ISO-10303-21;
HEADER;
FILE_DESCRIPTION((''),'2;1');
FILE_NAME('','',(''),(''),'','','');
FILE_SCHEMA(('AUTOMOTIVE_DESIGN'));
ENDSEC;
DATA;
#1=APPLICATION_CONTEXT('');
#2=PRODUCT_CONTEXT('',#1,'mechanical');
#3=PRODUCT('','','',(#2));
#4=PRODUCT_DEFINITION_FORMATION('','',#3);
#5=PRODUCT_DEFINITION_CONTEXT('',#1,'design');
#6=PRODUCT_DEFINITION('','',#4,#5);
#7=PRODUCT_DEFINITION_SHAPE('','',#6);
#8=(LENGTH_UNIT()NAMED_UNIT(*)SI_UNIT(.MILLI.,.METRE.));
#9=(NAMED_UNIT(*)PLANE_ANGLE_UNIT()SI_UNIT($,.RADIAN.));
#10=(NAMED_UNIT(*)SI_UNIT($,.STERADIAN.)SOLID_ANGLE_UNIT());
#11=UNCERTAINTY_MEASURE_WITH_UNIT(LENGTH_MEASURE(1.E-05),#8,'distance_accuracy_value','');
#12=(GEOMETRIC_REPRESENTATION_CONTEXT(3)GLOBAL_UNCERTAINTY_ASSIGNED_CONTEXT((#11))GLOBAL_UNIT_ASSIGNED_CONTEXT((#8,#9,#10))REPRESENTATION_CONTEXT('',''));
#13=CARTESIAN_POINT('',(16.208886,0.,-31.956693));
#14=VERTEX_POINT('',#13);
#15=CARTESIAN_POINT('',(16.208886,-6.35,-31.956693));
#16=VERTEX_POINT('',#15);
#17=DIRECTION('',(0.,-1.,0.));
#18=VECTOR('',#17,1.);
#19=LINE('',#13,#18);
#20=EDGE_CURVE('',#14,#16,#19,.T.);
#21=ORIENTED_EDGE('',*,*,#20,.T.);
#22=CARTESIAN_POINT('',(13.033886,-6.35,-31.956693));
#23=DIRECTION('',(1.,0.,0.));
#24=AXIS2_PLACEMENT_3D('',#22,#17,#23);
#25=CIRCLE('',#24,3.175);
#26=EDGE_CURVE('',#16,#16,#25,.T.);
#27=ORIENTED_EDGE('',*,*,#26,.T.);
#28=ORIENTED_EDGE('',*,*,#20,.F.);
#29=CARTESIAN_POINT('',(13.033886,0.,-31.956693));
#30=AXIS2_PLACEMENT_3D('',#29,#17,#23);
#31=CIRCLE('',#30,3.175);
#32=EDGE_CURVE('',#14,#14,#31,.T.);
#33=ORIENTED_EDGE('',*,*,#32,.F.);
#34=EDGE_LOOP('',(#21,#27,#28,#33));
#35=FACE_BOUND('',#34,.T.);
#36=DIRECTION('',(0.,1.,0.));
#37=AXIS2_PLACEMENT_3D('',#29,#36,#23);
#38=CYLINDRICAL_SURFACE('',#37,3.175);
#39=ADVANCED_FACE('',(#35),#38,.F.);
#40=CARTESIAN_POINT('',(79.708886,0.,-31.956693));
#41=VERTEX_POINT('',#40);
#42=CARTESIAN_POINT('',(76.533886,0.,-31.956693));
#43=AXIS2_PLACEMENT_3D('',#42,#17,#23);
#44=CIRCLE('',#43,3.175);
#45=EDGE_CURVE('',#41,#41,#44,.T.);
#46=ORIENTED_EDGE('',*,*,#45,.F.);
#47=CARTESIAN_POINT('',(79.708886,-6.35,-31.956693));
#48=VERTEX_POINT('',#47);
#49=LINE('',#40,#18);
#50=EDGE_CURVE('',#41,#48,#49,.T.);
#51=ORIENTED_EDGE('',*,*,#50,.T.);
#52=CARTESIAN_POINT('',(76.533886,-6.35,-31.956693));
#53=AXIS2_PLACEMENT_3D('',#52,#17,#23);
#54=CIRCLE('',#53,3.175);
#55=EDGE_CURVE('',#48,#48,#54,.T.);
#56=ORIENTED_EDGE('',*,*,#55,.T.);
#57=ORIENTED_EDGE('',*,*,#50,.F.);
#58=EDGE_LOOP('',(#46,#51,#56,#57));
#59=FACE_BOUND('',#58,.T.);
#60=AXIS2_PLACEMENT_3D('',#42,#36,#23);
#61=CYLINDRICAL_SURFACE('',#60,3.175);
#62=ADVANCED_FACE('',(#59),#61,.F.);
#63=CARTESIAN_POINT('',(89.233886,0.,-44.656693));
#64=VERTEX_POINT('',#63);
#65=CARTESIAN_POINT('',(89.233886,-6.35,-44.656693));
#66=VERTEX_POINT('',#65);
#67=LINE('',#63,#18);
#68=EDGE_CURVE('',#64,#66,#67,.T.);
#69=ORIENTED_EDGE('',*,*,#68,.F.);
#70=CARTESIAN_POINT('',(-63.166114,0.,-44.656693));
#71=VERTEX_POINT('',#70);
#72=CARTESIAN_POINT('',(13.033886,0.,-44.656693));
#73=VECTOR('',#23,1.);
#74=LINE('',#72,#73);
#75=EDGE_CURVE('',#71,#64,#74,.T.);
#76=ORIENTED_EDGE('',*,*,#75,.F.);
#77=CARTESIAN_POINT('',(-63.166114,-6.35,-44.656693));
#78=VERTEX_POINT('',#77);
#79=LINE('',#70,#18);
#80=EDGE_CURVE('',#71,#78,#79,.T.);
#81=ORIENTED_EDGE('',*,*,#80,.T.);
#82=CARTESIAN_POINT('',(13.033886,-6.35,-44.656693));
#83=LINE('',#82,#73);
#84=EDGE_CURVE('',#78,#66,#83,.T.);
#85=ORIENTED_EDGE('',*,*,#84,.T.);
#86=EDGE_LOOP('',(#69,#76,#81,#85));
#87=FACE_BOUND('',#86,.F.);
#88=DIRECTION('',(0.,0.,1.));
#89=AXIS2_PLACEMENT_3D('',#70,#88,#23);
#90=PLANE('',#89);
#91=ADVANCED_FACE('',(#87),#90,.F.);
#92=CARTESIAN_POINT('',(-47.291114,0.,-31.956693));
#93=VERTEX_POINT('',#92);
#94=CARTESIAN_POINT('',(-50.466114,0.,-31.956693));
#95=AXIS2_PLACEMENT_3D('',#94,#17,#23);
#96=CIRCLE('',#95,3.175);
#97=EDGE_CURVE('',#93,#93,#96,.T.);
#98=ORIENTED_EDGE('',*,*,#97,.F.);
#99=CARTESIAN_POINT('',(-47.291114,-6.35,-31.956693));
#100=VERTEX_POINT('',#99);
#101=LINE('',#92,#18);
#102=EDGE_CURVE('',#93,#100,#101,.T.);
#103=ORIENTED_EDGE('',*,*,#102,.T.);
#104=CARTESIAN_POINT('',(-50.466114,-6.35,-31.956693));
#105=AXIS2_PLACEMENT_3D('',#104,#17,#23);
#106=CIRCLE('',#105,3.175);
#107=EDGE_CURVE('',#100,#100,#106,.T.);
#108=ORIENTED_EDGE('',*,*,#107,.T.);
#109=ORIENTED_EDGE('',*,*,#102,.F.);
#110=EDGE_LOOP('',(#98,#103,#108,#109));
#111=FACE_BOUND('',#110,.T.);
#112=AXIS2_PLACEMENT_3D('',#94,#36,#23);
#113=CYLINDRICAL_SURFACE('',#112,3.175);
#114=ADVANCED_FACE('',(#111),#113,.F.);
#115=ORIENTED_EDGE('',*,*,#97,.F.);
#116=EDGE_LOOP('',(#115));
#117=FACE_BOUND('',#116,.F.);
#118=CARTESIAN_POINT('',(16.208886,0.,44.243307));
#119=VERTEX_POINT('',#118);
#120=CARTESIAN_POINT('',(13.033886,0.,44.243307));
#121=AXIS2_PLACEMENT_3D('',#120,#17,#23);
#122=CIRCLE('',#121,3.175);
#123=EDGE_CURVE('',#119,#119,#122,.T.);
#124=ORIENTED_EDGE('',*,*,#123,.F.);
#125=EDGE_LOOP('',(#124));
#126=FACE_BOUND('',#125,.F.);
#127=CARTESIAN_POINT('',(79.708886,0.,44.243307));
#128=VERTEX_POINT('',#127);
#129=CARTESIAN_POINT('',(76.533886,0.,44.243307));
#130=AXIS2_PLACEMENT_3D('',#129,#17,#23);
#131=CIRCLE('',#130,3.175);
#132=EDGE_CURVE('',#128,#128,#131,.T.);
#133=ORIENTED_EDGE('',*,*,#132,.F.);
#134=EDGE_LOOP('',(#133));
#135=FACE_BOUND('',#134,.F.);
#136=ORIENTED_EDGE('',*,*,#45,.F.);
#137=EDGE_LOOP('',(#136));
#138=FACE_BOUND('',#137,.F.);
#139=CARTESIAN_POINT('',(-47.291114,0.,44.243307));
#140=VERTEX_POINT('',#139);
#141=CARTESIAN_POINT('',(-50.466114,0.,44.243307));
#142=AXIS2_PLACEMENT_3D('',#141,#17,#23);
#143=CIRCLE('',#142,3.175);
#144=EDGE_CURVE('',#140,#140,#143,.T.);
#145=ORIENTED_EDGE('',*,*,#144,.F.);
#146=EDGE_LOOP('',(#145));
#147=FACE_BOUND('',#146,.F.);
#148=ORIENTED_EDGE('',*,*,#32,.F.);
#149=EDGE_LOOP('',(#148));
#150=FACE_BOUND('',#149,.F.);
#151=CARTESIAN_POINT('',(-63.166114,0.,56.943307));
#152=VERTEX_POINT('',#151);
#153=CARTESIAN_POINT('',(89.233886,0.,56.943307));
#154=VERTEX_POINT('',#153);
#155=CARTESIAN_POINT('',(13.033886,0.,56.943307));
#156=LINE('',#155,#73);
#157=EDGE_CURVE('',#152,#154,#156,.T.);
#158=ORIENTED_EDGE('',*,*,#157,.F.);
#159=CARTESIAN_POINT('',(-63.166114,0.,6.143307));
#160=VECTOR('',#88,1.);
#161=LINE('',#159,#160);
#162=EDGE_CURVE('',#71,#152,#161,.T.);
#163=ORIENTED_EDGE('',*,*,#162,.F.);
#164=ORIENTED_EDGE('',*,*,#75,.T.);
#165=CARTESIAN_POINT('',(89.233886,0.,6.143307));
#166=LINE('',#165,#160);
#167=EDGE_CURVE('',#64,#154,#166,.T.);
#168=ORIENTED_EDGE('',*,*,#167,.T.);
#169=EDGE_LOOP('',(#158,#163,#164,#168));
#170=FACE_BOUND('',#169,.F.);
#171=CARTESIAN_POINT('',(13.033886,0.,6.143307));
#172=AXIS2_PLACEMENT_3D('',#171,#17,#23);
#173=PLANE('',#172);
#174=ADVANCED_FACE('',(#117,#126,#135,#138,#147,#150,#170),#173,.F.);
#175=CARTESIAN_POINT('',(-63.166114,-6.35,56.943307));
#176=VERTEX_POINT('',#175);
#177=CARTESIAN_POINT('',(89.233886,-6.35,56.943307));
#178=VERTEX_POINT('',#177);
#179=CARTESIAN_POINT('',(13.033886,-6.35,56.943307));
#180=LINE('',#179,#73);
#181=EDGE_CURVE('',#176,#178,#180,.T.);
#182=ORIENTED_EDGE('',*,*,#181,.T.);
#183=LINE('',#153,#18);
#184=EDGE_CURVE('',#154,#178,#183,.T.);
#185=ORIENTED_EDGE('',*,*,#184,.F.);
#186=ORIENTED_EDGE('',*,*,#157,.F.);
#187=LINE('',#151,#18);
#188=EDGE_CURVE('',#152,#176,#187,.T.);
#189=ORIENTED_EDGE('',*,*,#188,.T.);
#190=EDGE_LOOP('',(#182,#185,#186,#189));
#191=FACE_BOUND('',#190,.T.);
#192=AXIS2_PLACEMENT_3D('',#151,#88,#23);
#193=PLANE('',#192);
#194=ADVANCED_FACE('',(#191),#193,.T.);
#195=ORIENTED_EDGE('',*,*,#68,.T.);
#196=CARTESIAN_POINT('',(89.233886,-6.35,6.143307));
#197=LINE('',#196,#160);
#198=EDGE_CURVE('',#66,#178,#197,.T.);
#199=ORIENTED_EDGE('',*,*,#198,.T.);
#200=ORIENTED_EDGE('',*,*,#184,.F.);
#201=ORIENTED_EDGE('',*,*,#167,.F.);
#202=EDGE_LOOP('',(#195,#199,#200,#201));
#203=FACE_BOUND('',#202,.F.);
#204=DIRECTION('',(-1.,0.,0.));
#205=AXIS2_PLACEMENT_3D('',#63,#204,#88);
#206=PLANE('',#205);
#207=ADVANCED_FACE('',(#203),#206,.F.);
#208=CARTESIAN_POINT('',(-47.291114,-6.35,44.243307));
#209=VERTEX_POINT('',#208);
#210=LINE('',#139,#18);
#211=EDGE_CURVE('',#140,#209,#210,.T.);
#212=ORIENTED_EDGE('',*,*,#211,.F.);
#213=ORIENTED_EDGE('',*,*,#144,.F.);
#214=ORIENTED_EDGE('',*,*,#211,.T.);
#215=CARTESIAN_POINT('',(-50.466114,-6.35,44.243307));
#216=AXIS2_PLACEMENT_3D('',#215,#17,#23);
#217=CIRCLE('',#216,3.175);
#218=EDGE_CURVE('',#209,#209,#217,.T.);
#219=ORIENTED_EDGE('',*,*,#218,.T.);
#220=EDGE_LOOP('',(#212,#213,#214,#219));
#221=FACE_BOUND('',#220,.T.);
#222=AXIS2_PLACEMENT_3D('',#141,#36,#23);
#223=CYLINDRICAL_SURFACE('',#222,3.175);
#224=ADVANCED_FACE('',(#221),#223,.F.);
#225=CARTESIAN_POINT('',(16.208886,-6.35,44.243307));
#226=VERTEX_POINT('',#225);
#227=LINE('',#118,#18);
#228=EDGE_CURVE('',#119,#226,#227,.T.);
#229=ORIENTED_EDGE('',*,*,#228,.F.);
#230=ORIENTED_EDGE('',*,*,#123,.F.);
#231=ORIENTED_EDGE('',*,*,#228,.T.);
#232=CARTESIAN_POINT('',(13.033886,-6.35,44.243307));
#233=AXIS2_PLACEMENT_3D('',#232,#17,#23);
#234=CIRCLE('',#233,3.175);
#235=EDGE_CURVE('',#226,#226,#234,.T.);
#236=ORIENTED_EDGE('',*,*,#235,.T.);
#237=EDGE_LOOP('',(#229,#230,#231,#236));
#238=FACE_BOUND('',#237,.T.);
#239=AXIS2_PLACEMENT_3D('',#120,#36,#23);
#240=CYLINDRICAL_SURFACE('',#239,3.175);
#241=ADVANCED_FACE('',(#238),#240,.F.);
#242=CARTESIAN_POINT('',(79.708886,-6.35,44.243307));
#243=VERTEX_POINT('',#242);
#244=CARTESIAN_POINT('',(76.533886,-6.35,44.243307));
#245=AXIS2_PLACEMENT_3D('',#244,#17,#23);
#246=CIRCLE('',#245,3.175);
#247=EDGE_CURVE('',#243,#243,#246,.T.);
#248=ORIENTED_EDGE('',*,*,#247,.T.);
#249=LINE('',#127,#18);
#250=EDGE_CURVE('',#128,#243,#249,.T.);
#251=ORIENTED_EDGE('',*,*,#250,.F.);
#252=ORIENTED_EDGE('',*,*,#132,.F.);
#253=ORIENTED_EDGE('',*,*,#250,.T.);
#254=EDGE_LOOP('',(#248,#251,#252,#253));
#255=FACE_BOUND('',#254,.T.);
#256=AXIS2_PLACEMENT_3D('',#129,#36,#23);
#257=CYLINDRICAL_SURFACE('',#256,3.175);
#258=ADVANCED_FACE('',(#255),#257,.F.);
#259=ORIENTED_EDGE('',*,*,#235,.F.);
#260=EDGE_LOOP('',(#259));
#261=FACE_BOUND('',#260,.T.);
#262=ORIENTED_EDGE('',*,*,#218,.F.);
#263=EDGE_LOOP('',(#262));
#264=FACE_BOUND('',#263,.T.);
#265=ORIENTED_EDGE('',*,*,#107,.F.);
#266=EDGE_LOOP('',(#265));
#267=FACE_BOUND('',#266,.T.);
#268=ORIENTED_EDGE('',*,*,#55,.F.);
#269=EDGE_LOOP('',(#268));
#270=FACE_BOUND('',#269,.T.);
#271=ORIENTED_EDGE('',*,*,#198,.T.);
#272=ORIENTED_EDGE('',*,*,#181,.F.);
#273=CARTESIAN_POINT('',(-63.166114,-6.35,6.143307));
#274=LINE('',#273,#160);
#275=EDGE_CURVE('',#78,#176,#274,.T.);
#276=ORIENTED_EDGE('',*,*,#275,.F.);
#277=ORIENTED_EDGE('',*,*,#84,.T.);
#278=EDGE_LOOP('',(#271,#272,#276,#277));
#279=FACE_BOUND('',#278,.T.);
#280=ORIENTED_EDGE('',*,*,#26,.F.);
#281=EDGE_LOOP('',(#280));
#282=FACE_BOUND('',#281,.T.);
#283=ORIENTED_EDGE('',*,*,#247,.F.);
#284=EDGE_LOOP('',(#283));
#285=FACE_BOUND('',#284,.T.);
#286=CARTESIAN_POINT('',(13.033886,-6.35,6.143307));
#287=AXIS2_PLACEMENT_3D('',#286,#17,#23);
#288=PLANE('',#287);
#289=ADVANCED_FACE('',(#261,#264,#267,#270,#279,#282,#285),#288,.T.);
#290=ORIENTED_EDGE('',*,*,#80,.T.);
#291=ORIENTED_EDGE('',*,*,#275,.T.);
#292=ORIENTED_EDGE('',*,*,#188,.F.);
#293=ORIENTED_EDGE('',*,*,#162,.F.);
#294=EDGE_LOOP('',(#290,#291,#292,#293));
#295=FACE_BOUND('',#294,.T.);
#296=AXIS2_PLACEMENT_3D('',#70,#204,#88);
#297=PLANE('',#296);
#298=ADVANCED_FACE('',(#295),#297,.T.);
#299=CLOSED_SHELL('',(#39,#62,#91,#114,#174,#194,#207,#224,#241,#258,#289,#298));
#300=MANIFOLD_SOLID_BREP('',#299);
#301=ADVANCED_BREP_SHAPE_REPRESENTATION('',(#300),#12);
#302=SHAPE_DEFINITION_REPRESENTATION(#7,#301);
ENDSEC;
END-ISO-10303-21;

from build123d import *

# Parameters (mm, degrees)
F0_W     = 152.4
F0_H     = 101.6
F0_R     = 3.175
F1_DEPTH = 6.35


with BuildPart() as f1:
    # F0 (on Front) → F1 (new body)
    with BuildSketch(Plane.XZ):
        with Locations((13.033886, 6.143307)):
            Rectangle(F0_W, F0_H)
        with Locations((-50.466114, -31.956693)):
            Circle(F0_R, mode=Mode.SUBTRACT)
        with Locations((13.033886, -31.956693)):
            Circle(F0_R, mode=Mode.SUBTRACT)
        with Locations((76.533886, -31.956693)):
            Circle(F0_R, mode=Mode.SUBTRACT)
        with Locations((-50.466114, 44.243307)):
            Circle(F0_R, mode=Mode.SUBTRACT)
        with Locations((13.033886, 44.243307)):
            Circle(F0_R, mode=Mode.SUBTRACT)
        with Locations((76.533886, 44.243307)):
            Circle(F0_R, mode=Mode.SUBTRACT)
    extrude(amount=F1_DEPTH)


solid = f1.part
